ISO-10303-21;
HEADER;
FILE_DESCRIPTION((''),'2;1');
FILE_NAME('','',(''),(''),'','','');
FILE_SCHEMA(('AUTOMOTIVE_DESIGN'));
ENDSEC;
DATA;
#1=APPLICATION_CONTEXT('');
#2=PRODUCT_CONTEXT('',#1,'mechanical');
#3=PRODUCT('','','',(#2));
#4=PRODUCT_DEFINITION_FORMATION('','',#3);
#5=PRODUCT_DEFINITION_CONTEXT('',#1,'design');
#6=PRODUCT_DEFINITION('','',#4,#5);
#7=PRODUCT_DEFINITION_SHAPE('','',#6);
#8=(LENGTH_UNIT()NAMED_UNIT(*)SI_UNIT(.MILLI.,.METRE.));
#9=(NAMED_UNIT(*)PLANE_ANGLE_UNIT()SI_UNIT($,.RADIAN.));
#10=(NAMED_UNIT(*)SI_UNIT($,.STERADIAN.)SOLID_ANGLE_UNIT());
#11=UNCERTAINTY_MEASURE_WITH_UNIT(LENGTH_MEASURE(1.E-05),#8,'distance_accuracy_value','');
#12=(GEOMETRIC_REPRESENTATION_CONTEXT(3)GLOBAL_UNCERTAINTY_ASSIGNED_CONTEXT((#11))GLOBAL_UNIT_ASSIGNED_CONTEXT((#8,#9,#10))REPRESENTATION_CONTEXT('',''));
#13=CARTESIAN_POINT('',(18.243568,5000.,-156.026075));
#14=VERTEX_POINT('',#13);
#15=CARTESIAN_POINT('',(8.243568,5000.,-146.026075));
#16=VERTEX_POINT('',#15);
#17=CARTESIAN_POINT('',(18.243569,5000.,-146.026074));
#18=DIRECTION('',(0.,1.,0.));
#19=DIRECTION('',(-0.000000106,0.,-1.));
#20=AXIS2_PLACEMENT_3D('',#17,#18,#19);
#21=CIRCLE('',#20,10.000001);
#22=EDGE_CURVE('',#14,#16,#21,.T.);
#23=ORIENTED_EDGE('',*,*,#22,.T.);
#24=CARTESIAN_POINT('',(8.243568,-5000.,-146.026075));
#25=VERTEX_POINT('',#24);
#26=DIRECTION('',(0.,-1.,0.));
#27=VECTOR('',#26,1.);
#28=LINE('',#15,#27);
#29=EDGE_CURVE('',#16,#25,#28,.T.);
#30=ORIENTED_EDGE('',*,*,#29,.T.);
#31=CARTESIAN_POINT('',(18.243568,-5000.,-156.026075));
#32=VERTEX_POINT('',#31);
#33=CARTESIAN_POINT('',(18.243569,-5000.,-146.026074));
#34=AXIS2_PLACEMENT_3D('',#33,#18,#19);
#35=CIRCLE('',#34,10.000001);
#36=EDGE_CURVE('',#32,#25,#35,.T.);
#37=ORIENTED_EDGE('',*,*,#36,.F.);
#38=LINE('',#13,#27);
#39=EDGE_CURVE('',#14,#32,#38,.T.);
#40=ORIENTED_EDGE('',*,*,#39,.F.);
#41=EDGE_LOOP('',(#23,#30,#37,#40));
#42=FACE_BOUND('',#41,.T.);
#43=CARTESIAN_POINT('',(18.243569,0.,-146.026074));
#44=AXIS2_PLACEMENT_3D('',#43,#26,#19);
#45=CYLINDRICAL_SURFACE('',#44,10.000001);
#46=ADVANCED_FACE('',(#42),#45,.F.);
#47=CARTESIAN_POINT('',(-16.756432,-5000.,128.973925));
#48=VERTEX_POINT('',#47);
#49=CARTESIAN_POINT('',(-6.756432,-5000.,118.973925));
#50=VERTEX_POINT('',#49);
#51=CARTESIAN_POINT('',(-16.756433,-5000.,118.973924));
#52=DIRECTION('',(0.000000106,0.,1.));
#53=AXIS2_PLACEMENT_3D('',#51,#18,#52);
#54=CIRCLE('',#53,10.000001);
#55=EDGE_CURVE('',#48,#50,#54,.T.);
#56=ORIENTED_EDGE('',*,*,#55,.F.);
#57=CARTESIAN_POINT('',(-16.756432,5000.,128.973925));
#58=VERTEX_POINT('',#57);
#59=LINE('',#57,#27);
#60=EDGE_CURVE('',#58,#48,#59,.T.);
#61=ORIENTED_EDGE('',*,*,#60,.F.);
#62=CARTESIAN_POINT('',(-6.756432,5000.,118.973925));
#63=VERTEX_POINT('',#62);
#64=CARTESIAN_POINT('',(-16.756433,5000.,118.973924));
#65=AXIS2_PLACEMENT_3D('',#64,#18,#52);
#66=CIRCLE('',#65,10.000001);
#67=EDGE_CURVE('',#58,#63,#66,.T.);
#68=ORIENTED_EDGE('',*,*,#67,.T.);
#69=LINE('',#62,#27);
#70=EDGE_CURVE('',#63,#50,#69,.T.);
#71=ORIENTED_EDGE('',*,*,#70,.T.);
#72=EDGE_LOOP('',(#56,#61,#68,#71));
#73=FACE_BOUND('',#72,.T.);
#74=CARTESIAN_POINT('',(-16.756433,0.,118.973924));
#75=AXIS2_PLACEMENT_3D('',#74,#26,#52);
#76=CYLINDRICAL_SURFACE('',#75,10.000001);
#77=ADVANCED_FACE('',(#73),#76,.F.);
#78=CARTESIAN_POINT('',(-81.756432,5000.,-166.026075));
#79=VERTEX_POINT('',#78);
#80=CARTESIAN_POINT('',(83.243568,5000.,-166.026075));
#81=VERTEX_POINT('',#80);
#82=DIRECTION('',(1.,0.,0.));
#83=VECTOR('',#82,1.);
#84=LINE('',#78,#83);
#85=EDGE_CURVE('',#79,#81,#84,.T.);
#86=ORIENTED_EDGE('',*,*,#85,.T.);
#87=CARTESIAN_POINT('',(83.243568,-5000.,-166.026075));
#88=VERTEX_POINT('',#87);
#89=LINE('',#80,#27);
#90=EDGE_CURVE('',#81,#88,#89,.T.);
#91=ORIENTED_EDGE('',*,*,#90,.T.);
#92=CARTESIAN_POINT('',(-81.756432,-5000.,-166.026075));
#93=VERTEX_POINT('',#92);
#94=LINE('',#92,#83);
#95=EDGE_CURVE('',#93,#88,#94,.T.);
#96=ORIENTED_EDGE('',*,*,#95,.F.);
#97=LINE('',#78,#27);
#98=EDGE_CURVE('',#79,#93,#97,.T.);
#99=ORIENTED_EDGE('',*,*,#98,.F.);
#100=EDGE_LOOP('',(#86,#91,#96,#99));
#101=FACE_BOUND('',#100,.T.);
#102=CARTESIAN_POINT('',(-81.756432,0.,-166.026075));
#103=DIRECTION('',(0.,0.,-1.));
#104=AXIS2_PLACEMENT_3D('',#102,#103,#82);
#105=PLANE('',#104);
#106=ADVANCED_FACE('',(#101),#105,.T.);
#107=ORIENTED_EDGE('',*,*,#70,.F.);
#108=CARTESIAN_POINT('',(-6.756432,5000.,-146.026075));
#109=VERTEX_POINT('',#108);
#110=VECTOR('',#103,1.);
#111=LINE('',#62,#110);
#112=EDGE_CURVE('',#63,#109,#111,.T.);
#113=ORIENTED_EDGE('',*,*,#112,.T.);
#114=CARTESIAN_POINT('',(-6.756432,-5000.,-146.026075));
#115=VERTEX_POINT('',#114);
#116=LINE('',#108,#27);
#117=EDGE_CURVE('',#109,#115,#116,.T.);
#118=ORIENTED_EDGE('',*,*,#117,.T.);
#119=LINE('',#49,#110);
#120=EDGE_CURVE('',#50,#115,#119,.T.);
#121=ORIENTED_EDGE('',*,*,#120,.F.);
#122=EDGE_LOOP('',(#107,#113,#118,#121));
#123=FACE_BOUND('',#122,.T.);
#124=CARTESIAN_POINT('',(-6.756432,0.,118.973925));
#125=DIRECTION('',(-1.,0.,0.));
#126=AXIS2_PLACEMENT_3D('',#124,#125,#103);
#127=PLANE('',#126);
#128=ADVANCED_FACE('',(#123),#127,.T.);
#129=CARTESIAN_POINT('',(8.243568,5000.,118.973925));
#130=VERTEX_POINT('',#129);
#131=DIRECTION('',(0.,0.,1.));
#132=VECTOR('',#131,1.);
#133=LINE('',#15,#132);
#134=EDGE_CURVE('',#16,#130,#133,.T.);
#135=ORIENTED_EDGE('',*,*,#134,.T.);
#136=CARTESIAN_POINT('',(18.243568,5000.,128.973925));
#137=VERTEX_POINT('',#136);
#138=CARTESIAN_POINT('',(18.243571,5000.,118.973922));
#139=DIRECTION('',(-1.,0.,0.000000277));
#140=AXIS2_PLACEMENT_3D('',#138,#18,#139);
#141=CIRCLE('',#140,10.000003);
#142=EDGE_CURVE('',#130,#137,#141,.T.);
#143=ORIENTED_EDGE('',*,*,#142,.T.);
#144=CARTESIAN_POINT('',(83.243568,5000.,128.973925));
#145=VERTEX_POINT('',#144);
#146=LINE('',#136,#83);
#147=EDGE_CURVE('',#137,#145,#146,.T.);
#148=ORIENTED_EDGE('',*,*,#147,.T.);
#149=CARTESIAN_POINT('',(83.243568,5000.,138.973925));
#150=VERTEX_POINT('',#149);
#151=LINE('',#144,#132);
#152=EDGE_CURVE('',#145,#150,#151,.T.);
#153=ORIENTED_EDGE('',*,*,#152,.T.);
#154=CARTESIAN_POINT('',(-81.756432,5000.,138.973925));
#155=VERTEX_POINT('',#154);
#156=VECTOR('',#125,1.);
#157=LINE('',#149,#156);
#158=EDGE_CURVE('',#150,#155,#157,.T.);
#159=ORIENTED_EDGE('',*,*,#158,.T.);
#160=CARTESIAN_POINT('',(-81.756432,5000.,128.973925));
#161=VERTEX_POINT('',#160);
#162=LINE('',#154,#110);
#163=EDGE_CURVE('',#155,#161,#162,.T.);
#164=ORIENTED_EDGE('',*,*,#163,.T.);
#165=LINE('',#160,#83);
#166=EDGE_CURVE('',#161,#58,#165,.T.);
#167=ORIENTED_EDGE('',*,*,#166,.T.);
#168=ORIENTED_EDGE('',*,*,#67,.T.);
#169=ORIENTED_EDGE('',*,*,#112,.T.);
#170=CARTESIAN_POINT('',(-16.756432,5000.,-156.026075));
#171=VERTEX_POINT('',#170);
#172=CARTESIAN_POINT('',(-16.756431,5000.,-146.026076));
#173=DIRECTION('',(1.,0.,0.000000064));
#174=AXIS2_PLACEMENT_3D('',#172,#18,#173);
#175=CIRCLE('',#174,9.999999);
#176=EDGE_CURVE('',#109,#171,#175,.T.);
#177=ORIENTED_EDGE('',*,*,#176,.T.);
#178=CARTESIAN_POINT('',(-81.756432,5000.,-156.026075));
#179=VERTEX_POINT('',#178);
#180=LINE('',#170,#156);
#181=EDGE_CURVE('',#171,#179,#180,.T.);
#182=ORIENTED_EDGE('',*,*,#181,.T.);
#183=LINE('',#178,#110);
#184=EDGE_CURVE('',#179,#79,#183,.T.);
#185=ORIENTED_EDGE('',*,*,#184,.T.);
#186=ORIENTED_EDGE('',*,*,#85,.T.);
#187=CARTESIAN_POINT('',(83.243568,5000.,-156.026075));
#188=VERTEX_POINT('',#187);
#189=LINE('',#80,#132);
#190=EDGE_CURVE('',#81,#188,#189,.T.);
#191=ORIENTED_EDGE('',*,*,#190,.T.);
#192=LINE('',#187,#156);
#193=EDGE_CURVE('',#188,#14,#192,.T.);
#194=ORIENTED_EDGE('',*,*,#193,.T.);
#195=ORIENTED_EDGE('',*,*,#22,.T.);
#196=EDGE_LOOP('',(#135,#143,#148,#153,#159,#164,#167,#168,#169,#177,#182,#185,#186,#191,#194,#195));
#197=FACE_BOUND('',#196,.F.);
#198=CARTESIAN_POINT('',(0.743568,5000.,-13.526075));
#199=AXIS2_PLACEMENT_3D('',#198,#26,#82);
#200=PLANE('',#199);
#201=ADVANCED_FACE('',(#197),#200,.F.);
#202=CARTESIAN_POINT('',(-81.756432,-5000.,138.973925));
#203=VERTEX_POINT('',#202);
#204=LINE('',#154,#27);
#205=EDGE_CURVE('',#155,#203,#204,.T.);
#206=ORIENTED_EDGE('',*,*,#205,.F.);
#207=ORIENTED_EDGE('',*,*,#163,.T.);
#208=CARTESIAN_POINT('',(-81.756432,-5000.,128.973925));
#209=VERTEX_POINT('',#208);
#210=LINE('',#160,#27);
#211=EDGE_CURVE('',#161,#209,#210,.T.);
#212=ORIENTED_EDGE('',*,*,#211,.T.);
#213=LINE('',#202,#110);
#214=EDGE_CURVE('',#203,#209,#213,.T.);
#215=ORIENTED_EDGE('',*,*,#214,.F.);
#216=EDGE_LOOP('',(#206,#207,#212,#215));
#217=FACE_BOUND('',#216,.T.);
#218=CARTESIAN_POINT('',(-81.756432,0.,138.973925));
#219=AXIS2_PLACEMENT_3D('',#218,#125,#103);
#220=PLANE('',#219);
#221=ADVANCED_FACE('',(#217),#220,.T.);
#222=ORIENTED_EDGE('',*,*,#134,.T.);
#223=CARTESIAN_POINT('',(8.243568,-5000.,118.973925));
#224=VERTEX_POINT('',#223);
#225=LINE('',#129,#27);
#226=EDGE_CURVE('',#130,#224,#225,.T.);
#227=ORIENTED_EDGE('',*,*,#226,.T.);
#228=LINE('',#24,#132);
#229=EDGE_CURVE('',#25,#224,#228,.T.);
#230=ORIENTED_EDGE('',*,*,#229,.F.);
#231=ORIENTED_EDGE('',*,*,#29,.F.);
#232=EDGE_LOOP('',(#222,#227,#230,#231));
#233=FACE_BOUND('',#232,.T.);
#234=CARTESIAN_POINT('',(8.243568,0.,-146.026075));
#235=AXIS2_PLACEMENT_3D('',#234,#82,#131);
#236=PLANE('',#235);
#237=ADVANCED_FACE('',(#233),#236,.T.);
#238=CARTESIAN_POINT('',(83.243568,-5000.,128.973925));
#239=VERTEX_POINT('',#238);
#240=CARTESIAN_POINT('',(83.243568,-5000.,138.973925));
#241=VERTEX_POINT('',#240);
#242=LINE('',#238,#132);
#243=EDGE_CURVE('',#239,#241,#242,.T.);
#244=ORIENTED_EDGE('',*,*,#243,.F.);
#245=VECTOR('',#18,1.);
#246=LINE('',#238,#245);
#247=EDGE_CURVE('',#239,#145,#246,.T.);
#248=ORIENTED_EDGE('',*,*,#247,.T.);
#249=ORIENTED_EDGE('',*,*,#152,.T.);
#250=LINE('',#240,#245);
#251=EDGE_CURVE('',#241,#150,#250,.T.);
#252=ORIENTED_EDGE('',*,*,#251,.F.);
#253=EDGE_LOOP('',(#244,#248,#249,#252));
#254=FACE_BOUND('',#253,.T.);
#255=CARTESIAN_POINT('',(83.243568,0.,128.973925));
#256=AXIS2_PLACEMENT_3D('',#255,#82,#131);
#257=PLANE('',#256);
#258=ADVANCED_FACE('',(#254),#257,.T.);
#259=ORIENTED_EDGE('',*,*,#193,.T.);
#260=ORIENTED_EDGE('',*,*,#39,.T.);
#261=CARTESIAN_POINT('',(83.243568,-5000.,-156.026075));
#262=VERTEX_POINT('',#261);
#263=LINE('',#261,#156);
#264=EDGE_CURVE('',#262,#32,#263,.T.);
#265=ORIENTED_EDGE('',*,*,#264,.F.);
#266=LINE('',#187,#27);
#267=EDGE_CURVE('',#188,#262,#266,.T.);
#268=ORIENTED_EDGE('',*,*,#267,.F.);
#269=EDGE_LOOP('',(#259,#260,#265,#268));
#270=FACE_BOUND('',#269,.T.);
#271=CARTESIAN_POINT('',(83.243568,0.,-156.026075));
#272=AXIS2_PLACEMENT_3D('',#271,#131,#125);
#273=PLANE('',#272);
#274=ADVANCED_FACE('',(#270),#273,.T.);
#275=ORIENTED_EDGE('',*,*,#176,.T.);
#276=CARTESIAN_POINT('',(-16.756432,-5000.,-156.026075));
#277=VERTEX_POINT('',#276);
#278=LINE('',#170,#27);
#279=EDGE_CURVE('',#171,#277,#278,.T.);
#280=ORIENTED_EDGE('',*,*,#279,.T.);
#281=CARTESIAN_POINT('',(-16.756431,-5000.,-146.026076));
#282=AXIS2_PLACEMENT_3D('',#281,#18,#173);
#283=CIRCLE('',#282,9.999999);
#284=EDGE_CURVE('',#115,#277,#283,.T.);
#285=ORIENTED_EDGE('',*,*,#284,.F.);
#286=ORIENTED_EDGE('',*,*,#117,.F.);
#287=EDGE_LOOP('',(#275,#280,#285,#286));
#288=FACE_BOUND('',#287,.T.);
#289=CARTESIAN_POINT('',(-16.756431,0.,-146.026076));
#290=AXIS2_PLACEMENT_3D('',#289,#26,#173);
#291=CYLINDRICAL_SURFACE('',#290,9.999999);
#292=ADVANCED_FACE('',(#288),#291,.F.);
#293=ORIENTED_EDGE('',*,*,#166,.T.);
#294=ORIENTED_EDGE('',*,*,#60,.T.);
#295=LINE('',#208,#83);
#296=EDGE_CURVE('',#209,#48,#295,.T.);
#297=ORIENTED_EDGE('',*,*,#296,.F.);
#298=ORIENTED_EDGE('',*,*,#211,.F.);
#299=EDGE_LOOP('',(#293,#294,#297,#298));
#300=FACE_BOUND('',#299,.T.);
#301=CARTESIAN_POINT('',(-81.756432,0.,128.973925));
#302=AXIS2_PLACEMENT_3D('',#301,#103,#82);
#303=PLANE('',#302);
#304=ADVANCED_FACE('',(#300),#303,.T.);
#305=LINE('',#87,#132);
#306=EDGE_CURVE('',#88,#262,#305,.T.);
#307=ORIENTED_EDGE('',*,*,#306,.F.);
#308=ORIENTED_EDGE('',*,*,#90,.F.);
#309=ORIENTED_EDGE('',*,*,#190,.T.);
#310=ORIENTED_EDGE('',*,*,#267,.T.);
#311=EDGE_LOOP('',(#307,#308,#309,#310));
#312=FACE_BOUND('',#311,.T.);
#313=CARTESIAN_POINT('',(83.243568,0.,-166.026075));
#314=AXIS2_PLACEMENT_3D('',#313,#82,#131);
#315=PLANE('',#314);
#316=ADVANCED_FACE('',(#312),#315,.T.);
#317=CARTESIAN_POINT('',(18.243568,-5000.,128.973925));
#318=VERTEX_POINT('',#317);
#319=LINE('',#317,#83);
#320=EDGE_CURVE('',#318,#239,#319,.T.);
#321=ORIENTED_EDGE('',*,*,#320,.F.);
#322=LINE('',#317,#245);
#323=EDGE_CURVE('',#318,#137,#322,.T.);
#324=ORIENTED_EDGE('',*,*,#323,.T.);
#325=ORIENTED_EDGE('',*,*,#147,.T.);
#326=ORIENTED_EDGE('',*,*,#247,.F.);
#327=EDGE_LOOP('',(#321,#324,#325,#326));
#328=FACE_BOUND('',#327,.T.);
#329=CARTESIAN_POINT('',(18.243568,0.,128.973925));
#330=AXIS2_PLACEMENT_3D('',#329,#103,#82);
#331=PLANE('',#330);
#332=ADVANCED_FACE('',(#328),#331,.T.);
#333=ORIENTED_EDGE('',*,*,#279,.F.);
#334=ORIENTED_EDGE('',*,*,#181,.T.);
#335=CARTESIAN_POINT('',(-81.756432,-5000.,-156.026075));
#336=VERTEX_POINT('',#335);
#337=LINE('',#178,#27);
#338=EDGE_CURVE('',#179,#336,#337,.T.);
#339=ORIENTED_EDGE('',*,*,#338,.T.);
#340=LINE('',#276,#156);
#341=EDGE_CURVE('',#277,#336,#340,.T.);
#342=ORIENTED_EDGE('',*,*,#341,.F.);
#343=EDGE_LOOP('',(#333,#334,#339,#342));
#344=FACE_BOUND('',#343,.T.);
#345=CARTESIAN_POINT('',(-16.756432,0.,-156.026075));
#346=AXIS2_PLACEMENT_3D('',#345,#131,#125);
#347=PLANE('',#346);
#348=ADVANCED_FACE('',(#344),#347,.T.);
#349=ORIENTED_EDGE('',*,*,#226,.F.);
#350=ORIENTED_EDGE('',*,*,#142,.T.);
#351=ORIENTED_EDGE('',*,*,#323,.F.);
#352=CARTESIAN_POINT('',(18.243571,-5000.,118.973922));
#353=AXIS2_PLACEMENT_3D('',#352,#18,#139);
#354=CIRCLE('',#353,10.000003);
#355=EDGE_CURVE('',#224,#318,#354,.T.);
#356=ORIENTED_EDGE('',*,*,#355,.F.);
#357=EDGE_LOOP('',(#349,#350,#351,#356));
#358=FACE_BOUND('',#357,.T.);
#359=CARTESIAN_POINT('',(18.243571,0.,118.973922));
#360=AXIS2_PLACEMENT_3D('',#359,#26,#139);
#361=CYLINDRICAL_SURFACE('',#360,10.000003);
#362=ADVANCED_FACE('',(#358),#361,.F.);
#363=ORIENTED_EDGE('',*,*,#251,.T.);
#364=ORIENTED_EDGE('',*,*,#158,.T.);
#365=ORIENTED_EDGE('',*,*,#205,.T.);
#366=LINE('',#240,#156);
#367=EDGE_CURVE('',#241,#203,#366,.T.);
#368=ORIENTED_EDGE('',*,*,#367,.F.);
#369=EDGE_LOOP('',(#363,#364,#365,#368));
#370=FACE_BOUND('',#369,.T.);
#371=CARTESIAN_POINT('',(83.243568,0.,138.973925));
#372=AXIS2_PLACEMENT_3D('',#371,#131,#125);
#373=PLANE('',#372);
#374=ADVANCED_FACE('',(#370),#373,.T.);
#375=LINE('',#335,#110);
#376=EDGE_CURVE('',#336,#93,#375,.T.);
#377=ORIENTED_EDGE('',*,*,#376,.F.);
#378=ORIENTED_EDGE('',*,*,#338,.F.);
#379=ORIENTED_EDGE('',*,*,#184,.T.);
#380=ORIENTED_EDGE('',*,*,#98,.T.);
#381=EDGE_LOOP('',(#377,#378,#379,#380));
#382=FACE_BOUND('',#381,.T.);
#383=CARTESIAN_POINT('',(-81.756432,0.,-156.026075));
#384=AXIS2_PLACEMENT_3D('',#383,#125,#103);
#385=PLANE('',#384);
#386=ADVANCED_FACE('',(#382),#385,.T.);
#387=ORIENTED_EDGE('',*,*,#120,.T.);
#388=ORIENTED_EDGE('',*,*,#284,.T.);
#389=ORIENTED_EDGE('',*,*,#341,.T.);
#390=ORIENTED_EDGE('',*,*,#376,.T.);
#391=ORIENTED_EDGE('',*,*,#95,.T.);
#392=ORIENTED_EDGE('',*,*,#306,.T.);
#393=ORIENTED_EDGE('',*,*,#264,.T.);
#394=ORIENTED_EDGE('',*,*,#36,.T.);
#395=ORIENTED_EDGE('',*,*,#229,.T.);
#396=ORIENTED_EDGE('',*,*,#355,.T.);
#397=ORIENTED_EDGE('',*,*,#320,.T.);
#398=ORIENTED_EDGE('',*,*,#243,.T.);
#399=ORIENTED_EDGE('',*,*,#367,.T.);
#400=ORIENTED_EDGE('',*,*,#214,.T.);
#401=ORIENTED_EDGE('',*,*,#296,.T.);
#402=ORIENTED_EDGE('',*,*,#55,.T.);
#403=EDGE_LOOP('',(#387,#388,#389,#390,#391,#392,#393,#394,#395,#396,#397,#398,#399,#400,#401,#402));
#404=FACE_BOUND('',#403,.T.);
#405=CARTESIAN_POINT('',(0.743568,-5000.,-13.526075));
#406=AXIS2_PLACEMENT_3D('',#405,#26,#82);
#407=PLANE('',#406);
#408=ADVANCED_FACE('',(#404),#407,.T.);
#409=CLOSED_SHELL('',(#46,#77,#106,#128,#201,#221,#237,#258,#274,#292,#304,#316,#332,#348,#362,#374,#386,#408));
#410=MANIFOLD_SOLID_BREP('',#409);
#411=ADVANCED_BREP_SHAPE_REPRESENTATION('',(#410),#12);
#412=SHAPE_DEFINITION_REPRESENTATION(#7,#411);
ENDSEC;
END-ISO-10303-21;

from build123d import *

# Parameters (mm, degrees)
F1_DEPTH      = 5000
F1_DEPTH_BACK = 5000


with BuildPart() as f1:
    # F0 (on Front) → F1 (new body, two sides)
    with BuildSketch(Plane.XZ) as f1_sk:
        with BuildLine():
            Line((83.243568, 138.973925), (-81.756432, 138.973925))
            Line((-81.756432, 138.973925), (-81.756432, 128.973925))
            Line((-81.756432, 128.973925), (-16.756432, 128.973925))
            ThreePointArc((-16.756432, 128.973925), (-9.685364, 126.044992), (-6.756432, 118.973925))
            Line((-6.756432, 118.973925), (-6.756432, -146.026075))
            ThreePointArc((-6.756432, -146.026075), (-9.685364, -153.097143), (-16.756432, -156.026075))
            Line((-16.756432, -156.026075), (-81.756432, -156.026075))
            Line((-81.756432, -156.026075), (-81.756432, -166.026075))
            Line((-81.756432, -166.026075), (83.243568, -166.026075))
            Line((83.243568, -166.026075), (83.243568, -156.026075))
            Line((83.243568, -156.026075), (18.243568, -156.026075))
            ThreePointArc((18.243568, -156.026075), (11.172501, -153.097143), (8.243568, -146.026075))
            Line((8.243568, -146.026075), (8.243568, 118.973925))
            ThreePointArc((8.243568, 118.973925), (11.172501, 126.044992), (18.243568, 128.973925))
            Line((18.243568, 128.973925), (83.243568, 128.973925))
            Line((83.243568, 128.973925), (83.243568, 138.973925))
        make_face()
    extrude(amount=F1_DEPTH)
    extrude(f1_sk.sketch, amount=-F1_DEPTH_BACK)


solid = f1.part
